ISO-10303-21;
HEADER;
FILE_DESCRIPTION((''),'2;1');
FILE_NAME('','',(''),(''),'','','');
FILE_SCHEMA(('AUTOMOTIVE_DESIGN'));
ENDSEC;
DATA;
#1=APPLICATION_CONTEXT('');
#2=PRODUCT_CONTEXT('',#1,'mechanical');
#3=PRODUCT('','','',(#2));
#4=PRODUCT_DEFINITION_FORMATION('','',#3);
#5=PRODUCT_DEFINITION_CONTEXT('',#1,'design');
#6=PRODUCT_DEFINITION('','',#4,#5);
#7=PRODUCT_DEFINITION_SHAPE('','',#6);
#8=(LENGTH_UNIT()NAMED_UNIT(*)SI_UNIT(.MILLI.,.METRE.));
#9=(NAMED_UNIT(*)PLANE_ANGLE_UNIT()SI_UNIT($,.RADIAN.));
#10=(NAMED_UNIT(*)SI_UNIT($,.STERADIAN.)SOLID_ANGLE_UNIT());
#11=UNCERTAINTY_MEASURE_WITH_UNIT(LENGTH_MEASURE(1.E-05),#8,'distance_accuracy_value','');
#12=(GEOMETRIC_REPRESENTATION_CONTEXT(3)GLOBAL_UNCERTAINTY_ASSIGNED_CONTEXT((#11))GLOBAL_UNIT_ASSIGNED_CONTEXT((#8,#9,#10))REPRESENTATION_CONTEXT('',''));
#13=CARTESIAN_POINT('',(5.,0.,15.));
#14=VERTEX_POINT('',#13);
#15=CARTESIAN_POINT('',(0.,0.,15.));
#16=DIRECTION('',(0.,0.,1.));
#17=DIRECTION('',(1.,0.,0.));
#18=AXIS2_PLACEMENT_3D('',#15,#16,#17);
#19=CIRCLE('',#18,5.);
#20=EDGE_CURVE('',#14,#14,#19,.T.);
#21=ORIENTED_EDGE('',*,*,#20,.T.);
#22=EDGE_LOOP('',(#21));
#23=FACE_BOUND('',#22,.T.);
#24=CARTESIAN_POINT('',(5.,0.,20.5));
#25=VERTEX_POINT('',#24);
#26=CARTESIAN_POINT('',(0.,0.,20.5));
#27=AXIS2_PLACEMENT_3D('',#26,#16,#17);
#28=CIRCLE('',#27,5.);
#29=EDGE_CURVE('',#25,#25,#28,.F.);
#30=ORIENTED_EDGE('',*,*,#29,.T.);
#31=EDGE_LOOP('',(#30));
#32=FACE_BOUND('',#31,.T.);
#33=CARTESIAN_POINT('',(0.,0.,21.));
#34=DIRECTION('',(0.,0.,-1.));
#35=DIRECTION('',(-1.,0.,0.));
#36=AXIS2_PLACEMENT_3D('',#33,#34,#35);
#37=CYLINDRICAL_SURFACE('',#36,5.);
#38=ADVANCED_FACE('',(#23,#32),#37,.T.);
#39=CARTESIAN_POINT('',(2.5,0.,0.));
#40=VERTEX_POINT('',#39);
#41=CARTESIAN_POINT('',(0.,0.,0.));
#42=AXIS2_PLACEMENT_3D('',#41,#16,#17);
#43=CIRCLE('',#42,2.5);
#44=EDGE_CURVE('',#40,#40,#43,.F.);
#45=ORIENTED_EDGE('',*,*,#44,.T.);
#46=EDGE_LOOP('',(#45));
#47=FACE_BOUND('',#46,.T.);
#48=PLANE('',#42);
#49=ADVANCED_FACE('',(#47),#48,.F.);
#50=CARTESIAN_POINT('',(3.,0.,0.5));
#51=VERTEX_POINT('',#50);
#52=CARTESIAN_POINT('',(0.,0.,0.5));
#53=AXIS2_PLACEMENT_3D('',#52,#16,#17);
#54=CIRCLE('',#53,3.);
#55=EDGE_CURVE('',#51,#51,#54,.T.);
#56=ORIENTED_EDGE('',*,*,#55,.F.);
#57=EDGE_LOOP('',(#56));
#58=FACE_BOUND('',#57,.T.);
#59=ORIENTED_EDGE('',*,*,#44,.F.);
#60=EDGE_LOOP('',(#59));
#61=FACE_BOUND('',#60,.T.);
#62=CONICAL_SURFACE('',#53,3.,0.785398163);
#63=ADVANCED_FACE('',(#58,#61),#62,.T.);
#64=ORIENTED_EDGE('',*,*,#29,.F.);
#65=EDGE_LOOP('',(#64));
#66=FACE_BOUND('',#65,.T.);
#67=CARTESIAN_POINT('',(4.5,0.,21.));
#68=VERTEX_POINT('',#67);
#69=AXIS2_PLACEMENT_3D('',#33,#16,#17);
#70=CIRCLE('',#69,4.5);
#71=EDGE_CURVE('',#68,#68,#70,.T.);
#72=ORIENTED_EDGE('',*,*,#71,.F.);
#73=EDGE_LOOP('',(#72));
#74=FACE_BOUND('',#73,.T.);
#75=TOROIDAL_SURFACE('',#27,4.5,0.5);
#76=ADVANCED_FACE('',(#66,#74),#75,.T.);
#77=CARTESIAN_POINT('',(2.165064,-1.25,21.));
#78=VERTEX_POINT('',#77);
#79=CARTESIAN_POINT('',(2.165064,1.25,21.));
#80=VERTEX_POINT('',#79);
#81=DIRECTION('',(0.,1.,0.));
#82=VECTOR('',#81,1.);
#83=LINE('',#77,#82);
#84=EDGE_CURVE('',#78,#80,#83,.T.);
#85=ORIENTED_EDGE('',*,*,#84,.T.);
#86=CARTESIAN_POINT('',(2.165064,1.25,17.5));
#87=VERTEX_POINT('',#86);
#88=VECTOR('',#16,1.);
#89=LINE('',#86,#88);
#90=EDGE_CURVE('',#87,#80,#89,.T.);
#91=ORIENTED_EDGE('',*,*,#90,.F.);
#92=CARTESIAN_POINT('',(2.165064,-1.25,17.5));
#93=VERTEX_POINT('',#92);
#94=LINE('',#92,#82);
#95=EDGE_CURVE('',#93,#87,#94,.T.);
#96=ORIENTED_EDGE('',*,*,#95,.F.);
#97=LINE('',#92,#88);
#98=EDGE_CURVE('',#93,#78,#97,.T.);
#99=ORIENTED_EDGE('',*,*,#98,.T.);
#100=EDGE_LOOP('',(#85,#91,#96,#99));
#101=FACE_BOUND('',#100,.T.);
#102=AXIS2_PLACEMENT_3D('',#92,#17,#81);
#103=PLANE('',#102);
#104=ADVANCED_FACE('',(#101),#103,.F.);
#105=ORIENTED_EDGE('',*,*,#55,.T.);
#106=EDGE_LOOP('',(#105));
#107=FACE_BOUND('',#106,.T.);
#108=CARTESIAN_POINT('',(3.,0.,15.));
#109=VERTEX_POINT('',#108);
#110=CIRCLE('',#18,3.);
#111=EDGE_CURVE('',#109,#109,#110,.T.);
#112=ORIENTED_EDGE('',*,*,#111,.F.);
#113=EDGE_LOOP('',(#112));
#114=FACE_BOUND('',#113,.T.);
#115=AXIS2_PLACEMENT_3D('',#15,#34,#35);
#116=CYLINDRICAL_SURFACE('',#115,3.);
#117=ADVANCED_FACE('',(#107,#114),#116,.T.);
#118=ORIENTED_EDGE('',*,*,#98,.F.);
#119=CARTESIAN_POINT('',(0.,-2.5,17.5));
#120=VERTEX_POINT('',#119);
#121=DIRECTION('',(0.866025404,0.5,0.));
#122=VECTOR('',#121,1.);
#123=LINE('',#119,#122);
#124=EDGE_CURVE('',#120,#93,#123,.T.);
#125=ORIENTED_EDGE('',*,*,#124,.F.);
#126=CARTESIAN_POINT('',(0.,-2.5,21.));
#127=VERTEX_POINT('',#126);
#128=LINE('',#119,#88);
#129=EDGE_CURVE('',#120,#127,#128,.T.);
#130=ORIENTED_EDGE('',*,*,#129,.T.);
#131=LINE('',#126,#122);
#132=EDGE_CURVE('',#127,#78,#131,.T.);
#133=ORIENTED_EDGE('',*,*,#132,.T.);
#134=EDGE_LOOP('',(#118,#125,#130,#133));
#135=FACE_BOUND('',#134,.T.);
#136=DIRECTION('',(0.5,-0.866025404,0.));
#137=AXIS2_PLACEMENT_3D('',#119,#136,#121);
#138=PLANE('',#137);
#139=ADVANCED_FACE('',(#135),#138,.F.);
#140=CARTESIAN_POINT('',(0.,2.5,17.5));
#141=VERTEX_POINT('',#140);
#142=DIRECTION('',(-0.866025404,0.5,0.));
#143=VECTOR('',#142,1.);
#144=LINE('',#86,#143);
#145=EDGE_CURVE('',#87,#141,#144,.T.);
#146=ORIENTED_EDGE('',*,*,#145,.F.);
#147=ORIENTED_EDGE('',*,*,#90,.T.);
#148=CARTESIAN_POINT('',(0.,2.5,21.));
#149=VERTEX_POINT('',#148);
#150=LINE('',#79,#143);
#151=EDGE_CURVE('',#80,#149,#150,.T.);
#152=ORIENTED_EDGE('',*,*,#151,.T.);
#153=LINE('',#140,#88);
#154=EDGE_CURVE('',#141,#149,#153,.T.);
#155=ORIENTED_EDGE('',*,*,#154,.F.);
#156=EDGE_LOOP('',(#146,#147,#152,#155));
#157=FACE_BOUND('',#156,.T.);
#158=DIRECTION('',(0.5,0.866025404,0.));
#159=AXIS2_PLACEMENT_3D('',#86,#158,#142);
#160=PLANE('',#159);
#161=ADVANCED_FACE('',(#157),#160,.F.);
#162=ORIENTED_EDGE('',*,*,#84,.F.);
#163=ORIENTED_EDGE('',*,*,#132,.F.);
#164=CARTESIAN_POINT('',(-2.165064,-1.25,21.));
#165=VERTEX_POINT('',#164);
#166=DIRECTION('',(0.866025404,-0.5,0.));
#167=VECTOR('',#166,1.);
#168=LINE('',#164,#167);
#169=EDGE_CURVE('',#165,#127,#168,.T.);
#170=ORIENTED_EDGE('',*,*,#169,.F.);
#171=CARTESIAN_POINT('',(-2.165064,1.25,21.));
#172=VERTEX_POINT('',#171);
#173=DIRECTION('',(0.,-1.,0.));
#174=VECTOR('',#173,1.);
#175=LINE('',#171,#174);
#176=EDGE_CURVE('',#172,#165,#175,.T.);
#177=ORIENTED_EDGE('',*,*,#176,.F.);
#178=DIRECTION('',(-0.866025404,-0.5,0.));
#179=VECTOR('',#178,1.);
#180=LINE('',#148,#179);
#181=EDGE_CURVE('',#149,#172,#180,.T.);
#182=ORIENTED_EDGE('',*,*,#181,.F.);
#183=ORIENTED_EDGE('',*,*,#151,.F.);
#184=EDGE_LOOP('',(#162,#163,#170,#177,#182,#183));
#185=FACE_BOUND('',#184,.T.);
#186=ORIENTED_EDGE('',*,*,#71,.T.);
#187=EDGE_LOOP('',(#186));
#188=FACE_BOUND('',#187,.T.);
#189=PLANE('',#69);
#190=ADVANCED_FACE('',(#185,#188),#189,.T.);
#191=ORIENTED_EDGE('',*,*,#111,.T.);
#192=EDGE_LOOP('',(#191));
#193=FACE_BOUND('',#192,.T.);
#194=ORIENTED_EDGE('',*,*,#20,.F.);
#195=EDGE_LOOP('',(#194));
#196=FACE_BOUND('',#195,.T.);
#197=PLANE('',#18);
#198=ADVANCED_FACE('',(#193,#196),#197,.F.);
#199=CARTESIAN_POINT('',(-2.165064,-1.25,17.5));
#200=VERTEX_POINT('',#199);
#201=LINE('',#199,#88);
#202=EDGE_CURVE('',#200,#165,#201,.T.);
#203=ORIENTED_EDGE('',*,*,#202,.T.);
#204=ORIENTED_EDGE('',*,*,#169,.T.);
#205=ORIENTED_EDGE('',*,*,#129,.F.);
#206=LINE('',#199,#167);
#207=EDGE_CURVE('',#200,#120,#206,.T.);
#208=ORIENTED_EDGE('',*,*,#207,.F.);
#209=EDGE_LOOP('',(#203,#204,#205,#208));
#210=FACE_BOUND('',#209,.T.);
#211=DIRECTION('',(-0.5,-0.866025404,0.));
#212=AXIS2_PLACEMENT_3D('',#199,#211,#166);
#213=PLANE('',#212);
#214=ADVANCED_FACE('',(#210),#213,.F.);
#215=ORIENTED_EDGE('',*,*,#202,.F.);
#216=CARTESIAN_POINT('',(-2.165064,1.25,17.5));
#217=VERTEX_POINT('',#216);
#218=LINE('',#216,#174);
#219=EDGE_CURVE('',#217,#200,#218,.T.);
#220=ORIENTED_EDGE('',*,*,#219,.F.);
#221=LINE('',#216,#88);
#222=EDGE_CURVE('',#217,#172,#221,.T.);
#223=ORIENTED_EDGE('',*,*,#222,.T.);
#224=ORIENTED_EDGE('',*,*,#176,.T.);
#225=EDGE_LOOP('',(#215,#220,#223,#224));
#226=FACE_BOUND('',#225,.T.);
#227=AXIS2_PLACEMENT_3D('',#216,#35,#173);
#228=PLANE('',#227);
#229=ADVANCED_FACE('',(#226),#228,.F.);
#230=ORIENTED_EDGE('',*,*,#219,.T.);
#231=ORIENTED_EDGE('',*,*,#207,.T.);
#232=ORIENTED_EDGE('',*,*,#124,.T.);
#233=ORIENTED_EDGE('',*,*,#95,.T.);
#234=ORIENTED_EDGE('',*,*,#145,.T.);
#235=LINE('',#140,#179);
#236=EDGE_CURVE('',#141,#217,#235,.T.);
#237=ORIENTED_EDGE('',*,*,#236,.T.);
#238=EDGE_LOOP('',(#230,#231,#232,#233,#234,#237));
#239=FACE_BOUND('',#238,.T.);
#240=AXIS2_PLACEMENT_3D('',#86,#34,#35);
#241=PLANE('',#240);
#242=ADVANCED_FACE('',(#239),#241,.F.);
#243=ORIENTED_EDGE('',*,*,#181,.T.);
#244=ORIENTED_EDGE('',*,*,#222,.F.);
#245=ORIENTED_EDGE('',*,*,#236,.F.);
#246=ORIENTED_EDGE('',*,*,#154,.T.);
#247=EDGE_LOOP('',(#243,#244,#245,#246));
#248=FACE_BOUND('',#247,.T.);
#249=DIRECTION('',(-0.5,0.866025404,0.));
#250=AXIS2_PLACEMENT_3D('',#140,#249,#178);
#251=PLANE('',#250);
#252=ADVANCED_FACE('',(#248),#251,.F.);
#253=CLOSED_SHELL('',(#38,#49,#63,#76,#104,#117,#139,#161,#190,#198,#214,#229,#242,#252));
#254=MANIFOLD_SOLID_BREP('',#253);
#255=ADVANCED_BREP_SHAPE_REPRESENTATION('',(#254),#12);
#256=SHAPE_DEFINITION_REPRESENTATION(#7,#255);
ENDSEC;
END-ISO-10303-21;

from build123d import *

# Parameters (mm, degrees)
ESQUISSE1_R             = 3
BASE_EXTRUSION_DEPTH    = 21
CHANFREIN1_SIZE         = 0.5
ESQUISSE2_R             = 5
BOSS_EXTRU_1_DEPTH      = 6
ENL_V_MAT_EXTRU_1_DEPTH = 3.5
CONG_2_R                = 0.5


with BuildPart() as part:
    # Esquisse1 → Base-Extrusion (new body)
    with BuildSketch(Plane.XY):
        Circle(ESQUISSE1_R)
    extrude(amount=BASE_EXTRUSION_DEPTH)

    # Chanfrein1
    chanfrein1_edges = [part.edges().sort_by_distance(p)[0] for p in [
        (-3, 0, 0),
    ]]
    chamfer(chanfrein1_edges, length=CHANFREIN1_SIZE)

    # Esquisse2 → Boss.-Extru.1 (add)
    with BuildSketch(Plane.XY.offset(15)):
        Circle(ESQUISSE2_R)
    extrude(amount=BOSS_EXTRU_1_DEPTH)

    # Esquisse3 → Enlèv. mat.-Extru.1 (cut)
    with BuildSketch(Plane.XY.offset(21)):
        Polygon((0, 2.5), (-2.165063509, 1.25), (-2.165063509, -1.25), (0, -2.5), (2.165063509, -1.25), (2.165063509, 1.25), align=None)
    extrude(amount=-ENL_V_MAT_EXTRU_1_DEPTH, mode=Mode.SUBTRACT)

    # Congé2
    cong_2_edges = [part.edges().sort_by_distance(p)[0] for p in [
        (-5, 0, 21),
    ]]
    fillet(cong_2_edges, radius=CONG_2_R)


solid = part.part
